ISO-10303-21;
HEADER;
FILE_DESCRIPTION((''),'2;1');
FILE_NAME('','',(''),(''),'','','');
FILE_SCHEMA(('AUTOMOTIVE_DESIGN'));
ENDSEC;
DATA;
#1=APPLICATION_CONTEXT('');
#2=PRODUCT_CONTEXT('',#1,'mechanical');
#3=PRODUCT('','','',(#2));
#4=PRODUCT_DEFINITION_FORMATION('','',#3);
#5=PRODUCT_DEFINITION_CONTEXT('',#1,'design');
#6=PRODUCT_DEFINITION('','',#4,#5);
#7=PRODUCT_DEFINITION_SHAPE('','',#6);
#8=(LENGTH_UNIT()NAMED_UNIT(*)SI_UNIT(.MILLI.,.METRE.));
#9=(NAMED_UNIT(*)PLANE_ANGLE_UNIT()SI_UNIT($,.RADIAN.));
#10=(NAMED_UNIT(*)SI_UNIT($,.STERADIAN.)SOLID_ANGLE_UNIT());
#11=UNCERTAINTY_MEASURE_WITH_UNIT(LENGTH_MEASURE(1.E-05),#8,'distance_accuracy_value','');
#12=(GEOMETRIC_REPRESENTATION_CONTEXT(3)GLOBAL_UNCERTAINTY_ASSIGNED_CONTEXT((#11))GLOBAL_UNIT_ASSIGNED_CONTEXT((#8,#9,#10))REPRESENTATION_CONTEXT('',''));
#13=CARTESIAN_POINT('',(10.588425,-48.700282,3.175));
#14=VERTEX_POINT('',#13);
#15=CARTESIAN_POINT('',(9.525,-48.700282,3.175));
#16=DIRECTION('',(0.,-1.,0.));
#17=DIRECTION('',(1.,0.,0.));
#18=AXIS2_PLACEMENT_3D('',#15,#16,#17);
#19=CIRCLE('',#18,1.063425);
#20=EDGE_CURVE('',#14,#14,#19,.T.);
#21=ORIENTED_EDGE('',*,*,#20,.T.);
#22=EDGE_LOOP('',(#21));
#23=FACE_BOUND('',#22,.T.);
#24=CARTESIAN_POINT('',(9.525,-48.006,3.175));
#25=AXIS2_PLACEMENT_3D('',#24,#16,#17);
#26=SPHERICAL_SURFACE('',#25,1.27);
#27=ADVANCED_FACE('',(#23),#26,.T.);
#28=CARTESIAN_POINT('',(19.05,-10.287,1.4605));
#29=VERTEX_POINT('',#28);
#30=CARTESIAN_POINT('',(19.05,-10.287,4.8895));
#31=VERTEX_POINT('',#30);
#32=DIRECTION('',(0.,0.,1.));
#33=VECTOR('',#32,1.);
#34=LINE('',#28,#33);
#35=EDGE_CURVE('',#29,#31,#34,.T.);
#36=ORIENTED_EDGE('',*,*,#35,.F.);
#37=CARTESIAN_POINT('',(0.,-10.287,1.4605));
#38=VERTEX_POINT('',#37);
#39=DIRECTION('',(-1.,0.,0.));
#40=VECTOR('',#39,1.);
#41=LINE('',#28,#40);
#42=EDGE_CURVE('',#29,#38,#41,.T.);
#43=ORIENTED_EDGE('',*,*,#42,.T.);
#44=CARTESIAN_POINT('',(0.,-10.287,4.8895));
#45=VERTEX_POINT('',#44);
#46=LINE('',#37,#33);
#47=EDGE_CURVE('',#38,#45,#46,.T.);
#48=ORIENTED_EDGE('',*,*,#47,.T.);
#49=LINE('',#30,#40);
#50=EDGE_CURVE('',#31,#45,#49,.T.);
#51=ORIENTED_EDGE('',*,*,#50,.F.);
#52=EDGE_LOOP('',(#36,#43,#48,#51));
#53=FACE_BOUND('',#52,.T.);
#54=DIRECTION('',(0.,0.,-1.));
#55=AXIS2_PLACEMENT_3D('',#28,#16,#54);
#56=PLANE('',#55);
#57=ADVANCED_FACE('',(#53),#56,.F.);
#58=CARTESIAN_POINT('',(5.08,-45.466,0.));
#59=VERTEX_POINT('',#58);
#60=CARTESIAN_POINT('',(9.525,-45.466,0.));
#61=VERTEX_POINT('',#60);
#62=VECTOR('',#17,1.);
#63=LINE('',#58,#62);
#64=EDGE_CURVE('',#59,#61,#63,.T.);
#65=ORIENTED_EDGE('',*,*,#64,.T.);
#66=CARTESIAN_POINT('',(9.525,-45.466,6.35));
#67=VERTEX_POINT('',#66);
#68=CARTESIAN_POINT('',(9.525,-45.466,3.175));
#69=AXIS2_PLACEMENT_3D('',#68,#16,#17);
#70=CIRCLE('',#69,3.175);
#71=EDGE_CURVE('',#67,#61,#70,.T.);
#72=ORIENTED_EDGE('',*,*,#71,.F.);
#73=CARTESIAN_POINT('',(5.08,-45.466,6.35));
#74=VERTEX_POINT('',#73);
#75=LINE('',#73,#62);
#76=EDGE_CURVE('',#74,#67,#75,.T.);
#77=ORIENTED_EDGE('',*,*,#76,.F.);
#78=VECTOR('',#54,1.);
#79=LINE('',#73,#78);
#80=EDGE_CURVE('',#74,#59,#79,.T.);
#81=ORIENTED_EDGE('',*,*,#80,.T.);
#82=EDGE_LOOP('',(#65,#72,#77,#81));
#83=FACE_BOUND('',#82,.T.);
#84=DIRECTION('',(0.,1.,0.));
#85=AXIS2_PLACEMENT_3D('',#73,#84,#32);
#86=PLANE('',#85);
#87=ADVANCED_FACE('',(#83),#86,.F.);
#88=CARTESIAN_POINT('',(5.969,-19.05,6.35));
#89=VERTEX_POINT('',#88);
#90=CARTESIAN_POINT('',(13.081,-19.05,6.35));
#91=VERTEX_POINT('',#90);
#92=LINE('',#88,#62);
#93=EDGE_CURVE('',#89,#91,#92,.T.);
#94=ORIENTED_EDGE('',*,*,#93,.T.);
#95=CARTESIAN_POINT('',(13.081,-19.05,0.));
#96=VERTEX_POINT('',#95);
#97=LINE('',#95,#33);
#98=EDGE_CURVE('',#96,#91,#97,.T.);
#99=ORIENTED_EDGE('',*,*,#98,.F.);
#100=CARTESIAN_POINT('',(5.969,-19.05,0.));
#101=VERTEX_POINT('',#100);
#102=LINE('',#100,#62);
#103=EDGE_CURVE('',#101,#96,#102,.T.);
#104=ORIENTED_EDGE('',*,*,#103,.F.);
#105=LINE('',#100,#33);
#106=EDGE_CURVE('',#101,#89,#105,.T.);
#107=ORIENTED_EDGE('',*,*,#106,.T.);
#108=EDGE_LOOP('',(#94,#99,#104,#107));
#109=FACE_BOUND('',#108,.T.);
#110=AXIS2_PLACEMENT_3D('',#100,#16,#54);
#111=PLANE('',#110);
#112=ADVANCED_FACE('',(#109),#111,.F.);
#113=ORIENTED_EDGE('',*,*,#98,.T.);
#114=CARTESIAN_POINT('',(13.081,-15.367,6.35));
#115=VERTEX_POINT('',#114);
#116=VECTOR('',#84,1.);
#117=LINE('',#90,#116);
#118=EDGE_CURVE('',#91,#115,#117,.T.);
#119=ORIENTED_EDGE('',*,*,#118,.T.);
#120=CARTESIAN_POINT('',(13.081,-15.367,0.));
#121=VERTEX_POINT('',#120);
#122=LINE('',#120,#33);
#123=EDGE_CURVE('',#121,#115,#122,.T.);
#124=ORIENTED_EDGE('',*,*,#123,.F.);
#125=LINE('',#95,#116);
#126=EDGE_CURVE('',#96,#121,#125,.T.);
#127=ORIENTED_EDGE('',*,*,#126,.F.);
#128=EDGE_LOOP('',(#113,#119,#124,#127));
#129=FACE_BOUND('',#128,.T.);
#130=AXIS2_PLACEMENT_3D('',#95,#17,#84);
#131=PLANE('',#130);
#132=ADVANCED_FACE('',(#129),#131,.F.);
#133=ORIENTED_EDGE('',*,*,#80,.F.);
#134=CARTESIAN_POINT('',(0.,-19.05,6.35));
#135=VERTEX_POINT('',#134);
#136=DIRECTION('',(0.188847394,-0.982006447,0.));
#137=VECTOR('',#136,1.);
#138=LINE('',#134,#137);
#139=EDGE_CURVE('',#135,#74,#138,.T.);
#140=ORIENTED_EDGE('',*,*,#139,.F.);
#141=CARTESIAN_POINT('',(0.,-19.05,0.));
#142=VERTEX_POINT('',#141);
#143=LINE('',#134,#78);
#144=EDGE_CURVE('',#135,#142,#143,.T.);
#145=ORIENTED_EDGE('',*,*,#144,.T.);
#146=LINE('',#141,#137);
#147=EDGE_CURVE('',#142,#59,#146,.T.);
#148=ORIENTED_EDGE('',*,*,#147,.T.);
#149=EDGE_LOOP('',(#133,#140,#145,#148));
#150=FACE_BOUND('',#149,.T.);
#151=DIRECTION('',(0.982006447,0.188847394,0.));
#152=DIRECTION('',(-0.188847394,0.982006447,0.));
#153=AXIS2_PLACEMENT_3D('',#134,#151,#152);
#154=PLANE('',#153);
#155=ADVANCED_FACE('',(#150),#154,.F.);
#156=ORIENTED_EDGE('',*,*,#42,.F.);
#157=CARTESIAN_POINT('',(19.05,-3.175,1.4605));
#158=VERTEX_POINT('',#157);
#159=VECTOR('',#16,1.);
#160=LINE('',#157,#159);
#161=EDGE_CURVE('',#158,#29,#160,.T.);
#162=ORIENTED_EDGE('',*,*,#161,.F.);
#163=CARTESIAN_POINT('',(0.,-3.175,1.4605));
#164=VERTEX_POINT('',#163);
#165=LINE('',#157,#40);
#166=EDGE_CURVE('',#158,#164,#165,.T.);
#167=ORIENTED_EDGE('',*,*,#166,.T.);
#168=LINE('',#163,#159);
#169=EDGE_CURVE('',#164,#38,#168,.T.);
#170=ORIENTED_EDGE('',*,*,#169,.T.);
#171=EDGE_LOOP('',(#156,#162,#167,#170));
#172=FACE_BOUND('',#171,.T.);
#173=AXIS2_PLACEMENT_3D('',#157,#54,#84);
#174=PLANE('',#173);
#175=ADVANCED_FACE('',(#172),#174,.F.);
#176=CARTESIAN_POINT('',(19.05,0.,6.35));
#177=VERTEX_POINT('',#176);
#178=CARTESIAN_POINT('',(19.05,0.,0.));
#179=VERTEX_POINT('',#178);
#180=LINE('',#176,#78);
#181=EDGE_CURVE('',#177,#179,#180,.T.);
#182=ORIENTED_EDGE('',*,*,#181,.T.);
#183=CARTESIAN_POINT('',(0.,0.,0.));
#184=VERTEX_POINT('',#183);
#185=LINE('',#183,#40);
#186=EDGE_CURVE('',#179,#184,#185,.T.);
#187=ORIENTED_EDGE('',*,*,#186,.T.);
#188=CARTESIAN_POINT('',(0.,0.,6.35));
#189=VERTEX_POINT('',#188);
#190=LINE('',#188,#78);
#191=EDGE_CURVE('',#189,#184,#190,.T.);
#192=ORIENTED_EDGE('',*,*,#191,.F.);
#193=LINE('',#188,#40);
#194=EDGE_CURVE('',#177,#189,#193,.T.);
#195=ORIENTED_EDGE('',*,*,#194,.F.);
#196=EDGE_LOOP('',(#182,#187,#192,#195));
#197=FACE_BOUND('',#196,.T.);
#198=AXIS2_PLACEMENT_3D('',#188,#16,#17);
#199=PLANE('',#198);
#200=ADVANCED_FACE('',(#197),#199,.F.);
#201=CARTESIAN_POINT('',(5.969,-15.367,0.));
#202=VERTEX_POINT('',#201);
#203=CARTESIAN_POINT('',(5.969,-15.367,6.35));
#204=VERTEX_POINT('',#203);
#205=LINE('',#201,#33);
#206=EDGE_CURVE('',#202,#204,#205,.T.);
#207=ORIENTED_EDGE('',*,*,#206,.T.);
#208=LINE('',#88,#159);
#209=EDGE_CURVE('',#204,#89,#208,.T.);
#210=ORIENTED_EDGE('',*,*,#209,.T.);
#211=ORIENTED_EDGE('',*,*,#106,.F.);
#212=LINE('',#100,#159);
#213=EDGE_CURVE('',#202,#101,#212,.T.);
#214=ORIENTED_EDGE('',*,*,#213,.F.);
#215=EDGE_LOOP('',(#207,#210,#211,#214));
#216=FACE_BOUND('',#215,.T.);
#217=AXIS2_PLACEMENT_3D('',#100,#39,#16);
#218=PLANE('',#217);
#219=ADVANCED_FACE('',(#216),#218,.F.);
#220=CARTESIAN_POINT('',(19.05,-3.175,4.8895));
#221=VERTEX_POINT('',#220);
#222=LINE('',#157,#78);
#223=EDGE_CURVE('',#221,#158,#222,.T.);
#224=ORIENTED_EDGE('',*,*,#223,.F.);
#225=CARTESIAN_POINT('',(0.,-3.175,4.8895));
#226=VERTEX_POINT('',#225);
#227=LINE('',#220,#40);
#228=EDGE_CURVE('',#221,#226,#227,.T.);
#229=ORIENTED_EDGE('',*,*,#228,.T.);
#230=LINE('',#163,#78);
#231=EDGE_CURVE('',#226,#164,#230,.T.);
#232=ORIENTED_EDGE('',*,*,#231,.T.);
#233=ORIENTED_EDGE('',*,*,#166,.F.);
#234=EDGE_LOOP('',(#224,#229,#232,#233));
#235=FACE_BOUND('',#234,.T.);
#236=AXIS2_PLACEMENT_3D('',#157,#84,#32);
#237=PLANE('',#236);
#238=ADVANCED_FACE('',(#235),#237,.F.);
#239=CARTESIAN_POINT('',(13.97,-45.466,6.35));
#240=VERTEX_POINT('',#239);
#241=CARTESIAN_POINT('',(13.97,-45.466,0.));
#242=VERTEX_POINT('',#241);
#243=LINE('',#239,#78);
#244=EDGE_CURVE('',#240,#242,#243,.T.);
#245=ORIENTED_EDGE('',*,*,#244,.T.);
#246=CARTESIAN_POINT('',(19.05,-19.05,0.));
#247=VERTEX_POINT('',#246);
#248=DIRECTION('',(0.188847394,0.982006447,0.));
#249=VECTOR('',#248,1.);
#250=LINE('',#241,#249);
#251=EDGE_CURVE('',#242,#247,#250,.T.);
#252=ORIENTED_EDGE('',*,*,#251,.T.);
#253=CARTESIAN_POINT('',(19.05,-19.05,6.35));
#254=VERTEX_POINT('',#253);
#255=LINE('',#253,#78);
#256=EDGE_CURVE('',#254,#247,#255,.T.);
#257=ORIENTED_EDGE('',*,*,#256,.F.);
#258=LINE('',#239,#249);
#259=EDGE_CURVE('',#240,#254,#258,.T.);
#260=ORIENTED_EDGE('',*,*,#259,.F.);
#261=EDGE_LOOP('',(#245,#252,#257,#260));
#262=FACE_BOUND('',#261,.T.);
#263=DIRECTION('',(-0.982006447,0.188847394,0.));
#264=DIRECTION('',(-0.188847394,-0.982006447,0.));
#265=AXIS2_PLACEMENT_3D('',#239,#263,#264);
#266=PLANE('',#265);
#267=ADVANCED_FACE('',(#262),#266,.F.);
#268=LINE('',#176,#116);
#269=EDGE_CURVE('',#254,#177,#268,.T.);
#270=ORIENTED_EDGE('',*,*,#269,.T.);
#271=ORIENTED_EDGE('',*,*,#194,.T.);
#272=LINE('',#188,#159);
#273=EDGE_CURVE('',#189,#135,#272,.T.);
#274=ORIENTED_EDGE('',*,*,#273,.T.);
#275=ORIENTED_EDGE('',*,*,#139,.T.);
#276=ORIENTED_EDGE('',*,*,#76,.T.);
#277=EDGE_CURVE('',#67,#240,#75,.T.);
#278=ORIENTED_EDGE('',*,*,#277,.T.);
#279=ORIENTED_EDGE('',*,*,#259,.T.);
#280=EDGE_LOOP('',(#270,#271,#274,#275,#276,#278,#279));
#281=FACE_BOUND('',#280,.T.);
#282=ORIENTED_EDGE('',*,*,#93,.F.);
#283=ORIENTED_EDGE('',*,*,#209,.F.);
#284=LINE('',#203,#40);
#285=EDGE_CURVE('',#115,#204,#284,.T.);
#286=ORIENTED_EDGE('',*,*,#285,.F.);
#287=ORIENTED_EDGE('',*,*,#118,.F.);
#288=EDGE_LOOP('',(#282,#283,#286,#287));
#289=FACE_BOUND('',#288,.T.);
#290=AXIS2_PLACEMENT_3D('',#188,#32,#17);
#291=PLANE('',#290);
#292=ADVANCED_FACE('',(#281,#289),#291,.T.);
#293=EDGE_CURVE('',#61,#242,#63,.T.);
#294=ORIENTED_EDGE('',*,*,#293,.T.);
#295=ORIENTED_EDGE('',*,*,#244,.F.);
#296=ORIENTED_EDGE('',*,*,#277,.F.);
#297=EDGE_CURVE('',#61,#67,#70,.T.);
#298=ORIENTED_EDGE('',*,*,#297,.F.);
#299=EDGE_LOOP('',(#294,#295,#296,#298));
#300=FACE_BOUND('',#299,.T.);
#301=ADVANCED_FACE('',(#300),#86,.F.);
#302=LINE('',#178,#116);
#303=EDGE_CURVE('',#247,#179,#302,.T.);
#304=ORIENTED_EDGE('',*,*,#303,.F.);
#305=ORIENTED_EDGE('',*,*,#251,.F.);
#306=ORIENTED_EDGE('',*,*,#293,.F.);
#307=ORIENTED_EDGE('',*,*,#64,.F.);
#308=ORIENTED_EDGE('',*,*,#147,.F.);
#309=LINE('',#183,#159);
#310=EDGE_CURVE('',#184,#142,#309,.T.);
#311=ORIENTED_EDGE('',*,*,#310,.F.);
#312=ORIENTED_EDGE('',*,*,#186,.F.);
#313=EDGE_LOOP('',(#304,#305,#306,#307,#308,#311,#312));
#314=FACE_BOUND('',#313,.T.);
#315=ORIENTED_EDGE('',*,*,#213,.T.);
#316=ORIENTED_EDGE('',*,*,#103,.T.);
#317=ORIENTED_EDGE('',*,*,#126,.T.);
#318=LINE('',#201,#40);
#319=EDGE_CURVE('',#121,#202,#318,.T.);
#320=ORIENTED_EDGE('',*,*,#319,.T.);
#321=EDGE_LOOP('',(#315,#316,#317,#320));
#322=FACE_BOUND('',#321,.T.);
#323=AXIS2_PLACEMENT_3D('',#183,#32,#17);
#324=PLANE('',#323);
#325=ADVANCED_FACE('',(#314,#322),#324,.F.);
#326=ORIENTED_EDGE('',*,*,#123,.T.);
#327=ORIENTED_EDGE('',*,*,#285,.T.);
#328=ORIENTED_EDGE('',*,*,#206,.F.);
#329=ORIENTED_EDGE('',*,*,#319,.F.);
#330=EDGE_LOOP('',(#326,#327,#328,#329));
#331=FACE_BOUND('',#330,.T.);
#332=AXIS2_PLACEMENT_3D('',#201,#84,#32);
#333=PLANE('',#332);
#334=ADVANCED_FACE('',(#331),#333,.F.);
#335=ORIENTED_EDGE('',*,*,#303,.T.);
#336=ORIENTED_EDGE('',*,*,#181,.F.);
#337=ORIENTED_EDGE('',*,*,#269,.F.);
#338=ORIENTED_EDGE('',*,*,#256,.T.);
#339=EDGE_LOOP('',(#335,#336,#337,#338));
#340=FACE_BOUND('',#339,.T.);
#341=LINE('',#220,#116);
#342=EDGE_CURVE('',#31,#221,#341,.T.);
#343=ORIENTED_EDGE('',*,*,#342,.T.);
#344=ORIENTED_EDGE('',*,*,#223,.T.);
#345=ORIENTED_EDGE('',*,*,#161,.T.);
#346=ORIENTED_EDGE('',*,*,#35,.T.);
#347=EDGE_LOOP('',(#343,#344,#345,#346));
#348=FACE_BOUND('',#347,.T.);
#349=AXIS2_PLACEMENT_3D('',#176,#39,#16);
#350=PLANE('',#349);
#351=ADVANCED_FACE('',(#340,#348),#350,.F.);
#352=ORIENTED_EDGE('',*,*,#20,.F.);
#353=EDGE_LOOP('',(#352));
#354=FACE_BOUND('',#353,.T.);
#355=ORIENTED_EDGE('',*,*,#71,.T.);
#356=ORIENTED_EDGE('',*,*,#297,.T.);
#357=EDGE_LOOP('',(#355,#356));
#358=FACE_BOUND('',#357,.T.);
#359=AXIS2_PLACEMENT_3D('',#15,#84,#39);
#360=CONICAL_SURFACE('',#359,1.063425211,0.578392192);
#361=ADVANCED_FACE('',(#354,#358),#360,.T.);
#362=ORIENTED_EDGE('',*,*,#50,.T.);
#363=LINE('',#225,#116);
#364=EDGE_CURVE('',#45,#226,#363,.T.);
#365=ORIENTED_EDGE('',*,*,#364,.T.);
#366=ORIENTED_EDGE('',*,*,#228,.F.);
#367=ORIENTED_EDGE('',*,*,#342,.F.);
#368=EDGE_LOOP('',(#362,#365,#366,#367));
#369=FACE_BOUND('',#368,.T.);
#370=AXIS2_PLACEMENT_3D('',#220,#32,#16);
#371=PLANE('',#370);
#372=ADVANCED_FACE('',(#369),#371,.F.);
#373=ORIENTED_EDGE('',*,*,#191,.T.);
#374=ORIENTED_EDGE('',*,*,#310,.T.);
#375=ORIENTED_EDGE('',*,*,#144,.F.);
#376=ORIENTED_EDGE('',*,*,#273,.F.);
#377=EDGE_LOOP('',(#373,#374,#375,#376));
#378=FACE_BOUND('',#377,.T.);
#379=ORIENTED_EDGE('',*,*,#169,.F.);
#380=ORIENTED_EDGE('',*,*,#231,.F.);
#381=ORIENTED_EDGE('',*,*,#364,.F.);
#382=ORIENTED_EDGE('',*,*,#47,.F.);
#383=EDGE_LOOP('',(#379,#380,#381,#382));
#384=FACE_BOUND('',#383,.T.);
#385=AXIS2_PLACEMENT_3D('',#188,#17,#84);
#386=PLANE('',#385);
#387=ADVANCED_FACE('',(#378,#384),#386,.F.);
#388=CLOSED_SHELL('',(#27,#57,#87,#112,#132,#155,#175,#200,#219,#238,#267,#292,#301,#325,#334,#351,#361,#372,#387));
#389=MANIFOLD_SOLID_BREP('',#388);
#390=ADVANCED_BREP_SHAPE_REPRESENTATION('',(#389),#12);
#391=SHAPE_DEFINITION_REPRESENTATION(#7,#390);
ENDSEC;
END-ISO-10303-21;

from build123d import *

# Parameters (mm, degrees)
BOSS_EXTRUDE1_DEPTH = 6.35
SKETCH3_W           = 3.429
SKETCH3_H           = 7.112
CUT_EXTRUDE1_DEPTH  = 20.05
SKETCH4_W           = 7.112
SKETCH4_H           = 3.683
CUT_EXTRUDE2_DEPTH  = 7.35


with BuildPart() as part:
    # Sketch1 → Boss-Extrude1 (new body)
    with BuildSketch(Plane.XY):
        Polygon((0, -19.05), (5.08, -45.466), (13.97, -45.466), (19.05, -19.05), (19.05, 0), (0, 0), align=None)
    extrude(amount=BOSS_EXTRUDE1_DEPTH)

    # Sketch2 → Revolve1 (revolve)
    with BuildSketch(Plane.XY.offset(3.175)):
        with BuildLine():
            Line((9.525, -45.466), (12.7, -45.466))
            Line((12.7, -45.466), (10.588425211, -48.700281514))
            ThreePointArc((10.588425211, -48.700281514), (10.129633144, -49.122834259), (9.525, -49.276))
            Line((9.525, -49.276), (9.525, -45.466))
        make_face()
    revolve(axis=Axis((9.525, -49.276, 3.175), (0, 1, 0)))

    # Sketch3 → Cut-Extrude1 (cut, through all)
    with BuildSketch(Plane.ZY):
        with Locations((3.175, -6.731)):
            Rectangle(SKETCH3_W, SKETCH3_H)
    extrude(amount=-CUT_EXTRUDE1_DEPTH, mode=Mode.SUBTRACT)

    # Sketch4 → Cut-Extrude2 (cut, through all)
    with BuildSketch(Plane.XY.offset(6.35)):
        with Locations((9.525, -17.2085)):
            Rectangle(SKETCH4_W, SKETCH4_H)
    extrude(amount=-CUT_EXTRUDE2_DEPTH, mode=Mode.SUBTRACT)


solid = part.part
